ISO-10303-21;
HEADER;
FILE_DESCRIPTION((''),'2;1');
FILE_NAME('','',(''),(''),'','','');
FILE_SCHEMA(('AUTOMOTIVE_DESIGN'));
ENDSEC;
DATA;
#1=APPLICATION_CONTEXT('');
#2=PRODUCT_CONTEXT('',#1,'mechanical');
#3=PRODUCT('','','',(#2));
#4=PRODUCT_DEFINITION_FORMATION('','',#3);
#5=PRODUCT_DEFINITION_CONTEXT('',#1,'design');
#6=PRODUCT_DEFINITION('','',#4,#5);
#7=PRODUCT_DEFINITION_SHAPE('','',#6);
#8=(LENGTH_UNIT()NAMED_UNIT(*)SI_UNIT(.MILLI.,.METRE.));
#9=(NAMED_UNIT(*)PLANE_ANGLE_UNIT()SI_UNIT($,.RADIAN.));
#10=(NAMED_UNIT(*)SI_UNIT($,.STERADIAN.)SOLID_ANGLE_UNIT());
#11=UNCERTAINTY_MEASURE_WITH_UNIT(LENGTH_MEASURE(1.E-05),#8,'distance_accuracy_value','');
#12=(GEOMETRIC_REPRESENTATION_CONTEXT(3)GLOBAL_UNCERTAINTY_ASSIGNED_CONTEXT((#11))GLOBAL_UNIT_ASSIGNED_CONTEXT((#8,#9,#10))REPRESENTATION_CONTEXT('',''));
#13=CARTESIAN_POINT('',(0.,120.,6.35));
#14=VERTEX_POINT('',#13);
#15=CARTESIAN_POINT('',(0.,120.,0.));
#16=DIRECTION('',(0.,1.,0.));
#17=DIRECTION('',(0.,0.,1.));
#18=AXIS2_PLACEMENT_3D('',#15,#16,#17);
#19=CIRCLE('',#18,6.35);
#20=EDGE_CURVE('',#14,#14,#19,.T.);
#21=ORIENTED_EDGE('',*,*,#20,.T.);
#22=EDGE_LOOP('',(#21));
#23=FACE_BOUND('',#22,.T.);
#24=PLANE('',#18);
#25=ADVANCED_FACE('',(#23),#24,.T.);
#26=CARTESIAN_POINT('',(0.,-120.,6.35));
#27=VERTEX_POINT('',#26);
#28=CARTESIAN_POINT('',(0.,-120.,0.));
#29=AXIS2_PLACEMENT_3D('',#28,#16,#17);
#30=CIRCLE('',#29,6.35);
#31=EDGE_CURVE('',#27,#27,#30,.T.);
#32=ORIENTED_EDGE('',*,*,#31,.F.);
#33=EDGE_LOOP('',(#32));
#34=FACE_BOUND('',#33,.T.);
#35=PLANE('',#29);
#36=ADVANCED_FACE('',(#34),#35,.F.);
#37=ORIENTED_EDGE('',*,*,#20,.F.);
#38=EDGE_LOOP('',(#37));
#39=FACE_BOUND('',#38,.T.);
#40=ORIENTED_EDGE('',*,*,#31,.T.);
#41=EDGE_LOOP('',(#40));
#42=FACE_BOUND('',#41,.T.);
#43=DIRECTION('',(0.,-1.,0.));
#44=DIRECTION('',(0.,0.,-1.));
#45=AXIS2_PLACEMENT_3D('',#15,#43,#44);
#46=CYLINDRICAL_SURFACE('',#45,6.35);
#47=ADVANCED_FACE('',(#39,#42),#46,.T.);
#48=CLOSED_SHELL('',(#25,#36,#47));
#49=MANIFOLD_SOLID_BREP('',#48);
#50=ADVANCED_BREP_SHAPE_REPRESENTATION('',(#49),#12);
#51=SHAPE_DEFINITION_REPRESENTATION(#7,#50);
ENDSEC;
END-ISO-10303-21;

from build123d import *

# Parameters (mm, degrees)
SKETCH1_R           = 6.35
BOSS_EXTRUDE1_DEPTH = 120


with BuildPart() as part:
    # Sketch1 → Boss-Extrude1 (new body, symmetric)
    with BuildSketch(Plane(origin=(0, 0, 0), x_dir=(1, 0, 0), z_dir=(0, 1, 0))):
        Circle(SKETCH1_R)
    extrude(amount=BOSS_EXTRUDE1_DEPTH, both=True)


solid = part.part
